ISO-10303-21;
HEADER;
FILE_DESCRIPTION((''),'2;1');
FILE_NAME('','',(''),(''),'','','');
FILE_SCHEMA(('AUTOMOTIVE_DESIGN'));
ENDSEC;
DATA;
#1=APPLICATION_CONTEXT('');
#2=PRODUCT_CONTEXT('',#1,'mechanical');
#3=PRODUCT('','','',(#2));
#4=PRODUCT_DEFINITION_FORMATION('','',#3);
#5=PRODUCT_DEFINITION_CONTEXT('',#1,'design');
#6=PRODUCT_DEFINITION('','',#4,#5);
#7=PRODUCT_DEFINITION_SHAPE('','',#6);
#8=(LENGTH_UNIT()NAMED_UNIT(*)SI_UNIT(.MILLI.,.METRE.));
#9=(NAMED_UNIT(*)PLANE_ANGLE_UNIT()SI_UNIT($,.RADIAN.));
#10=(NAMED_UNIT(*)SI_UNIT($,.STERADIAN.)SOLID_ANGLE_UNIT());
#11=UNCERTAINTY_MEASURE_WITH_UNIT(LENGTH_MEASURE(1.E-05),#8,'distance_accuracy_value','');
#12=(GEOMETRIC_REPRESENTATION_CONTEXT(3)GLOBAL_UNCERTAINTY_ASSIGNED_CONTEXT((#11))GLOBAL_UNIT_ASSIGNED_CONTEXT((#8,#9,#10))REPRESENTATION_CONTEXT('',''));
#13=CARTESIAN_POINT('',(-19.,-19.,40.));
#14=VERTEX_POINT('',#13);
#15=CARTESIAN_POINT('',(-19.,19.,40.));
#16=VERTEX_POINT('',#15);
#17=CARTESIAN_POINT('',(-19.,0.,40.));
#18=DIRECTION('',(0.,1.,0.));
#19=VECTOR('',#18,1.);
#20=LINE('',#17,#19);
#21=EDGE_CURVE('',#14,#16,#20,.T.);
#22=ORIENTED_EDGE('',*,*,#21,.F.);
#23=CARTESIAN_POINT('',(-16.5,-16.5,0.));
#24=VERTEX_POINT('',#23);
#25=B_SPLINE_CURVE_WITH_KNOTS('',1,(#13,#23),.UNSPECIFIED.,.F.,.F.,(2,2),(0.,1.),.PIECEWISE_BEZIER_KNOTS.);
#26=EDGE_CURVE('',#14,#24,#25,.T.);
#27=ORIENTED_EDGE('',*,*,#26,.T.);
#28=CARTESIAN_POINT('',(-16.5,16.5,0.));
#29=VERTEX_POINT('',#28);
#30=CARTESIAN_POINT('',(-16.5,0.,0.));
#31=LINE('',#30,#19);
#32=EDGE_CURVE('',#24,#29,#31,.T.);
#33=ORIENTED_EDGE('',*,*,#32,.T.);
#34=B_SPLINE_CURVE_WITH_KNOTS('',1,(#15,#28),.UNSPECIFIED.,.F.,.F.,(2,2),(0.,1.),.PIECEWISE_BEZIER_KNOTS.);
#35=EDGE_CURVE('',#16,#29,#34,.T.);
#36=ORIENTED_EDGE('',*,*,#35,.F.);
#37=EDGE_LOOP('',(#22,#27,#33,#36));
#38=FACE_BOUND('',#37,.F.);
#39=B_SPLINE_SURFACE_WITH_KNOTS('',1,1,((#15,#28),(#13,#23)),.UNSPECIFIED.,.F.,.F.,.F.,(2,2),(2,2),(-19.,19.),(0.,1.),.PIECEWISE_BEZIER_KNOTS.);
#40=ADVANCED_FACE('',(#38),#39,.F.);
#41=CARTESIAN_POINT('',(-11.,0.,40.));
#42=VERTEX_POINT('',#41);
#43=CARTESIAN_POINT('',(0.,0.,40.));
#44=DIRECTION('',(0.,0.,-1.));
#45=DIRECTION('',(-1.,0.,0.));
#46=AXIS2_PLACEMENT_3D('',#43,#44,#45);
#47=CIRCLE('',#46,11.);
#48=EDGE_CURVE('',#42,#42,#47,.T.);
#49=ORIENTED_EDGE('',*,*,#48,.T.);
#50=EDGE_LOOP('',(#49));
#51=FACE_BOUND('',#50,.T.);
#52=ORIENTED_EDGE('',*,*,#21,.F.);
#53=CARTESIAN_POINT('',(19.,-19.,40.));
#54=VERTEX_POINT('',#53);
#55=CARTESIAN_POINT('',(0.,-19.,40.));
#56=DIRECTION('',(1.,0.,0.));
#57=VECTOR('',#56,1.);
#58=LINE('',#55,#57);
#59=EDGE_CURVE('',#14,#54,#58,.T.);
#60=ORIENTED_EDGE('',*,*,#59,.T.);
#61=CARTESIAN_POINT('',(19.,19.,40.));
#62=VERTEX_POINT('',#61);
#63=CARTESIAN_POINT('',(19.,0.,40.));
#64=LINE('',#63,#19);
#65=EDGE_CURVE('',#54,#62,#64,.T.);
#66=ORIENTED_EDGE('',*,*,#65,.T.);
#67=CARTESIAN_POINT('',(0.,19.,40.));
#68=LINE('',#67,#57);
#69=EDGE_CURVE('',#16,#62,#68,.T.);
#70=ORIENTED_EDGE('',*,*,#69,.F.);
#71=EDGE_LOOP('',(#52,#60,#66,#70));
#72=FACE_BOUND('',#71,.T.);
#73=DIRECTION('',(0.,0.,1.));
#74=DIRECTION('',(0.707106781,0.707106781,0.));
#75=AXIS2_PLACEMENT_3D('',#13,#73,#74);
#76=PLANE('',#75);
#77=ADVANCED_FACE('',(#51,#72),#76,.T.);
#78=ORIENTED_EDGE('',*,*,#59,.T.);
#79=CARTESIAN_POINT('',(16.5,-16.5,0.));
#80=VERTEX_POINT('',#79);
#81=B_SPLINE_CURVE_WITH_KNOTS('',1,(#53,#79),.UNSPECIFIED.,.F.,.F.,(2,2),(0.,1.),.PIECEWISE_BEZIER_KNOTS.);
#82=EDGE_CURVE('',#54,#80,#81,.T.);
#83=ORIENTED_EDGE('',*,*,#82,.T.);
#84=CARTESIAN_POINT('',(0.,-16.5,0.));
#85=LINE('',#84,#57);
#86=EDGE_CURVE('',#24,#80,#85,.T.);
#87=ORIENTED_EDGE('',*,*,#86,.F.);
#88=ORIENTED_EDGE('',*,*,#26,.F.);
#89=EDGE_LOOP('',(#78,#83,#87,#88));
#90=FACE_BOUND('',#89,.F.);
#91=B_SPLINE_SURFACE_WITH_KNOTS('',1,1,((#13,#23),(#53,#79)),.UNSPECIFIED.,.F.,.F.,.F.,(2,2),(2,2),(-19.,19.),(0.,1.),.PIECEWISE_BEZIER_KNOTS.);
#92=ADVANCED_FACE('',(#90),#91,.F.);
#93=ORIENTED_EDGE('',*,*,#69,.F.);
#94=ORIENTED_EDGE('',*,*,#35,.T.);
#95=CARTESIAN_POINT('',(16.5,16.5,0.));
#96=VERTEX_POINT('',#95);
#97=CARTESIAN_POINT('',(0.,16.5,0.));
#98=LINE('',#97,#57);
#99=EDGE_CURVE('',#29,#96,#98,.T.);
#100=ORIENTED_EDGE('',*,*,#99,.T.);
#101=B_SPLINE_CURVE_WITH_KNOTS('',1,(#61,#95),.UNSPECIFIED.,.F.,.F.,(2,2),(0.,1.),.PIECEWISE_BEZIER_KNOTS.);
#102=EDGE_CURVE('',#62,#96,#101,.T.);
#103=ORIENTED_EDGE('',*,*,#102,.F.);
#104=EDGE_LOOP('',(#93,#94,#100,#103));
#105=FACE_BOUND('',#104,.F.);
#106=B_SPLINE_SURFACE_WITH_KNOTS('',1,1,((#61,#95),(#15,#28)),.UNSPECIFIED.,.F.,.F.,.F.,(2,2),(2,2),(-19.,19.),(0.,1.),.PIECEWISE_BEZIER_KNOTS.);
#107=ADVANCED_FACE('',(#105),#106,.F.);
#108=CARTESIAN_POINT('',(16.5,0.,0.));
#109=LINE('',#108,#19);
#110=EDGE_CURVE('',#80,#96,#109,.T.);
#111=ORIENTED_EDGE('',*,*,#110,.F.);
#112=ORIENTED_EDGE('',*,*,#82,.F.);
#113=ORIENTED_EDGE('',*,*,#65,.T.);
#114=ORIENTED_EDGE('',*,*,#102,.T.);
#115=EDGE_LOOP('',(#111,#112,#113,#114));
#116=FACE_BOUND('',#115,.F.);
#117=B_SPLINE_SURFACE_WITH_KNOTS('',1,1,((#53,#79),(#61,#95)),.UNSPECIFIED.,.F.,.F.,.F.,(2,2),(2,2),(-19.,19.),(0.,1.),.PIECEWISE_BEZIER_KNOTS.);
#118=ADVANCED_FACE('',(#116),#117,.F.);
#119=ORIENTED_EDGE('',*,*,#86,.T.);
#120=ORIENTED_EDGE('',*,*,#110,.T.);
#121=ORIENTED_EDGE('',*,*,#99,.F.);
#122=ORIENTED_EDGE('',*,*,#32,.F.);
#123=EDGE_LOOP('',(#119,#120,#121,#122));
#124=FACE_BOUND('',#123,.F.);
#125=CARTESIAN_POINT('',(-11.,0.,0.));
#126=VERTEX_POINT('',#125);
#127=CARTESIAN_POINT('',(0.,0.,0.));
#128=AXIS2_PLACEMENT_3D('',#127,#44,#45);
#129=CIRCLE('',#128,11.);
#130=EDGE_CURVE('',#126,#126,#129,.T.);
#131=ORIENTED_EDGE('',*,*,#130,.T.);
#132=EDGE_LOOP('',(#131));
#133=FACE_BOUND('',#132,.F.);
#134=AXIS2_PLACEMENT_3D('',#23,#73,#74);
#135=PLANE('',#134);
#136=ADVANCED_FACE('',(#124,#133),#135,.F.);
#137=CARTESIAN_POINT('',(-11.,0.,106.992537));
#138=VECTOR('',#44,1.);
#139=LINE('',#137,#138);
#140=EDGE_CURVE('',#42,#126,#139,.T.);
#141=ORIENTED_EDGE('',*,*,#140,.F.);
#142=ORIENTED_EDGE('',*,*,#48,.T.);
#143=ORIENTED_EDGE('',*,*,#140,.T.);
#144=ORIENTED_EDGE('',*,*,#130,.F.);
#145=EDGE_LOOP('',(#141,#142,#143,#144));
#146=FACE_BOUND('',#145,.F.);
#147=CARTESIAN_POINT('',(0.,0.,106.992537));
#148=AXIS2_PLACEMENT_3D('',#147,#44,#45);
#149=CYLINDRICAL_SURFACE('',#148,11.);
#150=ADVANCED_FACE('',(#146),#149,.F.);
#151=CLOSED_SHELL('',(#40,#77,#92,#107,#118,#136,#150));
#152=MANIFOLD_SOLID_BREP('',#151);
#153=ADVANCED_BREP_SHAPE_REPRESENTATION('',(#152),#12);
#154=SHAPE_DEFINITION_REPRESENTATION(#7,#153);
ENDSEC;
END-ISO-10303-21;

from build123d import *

# Parameters (mm, degrees)
F2_W = 38
F2_H = 38
F0_W = 33
F0_H = 33
F5_D = 22


with BuildPart() as f3:
    # F2 (on offset) → F3 section 0
    with BuildSketch(Plane.XY.offset(40)):
        Rectangle(F2_W, F2_H)
    # F0 (on Top) → F3 section 1
    with BuildSketch(Plane.XY):
        Rectangle(F0_W, F0_H)
    loft()

    # F5 (through all)
    with Locations(Plane.XY.offset(40)):
        with Locations((0, 0)):
            Hole(F5_D / 2)


solid = f3.part
